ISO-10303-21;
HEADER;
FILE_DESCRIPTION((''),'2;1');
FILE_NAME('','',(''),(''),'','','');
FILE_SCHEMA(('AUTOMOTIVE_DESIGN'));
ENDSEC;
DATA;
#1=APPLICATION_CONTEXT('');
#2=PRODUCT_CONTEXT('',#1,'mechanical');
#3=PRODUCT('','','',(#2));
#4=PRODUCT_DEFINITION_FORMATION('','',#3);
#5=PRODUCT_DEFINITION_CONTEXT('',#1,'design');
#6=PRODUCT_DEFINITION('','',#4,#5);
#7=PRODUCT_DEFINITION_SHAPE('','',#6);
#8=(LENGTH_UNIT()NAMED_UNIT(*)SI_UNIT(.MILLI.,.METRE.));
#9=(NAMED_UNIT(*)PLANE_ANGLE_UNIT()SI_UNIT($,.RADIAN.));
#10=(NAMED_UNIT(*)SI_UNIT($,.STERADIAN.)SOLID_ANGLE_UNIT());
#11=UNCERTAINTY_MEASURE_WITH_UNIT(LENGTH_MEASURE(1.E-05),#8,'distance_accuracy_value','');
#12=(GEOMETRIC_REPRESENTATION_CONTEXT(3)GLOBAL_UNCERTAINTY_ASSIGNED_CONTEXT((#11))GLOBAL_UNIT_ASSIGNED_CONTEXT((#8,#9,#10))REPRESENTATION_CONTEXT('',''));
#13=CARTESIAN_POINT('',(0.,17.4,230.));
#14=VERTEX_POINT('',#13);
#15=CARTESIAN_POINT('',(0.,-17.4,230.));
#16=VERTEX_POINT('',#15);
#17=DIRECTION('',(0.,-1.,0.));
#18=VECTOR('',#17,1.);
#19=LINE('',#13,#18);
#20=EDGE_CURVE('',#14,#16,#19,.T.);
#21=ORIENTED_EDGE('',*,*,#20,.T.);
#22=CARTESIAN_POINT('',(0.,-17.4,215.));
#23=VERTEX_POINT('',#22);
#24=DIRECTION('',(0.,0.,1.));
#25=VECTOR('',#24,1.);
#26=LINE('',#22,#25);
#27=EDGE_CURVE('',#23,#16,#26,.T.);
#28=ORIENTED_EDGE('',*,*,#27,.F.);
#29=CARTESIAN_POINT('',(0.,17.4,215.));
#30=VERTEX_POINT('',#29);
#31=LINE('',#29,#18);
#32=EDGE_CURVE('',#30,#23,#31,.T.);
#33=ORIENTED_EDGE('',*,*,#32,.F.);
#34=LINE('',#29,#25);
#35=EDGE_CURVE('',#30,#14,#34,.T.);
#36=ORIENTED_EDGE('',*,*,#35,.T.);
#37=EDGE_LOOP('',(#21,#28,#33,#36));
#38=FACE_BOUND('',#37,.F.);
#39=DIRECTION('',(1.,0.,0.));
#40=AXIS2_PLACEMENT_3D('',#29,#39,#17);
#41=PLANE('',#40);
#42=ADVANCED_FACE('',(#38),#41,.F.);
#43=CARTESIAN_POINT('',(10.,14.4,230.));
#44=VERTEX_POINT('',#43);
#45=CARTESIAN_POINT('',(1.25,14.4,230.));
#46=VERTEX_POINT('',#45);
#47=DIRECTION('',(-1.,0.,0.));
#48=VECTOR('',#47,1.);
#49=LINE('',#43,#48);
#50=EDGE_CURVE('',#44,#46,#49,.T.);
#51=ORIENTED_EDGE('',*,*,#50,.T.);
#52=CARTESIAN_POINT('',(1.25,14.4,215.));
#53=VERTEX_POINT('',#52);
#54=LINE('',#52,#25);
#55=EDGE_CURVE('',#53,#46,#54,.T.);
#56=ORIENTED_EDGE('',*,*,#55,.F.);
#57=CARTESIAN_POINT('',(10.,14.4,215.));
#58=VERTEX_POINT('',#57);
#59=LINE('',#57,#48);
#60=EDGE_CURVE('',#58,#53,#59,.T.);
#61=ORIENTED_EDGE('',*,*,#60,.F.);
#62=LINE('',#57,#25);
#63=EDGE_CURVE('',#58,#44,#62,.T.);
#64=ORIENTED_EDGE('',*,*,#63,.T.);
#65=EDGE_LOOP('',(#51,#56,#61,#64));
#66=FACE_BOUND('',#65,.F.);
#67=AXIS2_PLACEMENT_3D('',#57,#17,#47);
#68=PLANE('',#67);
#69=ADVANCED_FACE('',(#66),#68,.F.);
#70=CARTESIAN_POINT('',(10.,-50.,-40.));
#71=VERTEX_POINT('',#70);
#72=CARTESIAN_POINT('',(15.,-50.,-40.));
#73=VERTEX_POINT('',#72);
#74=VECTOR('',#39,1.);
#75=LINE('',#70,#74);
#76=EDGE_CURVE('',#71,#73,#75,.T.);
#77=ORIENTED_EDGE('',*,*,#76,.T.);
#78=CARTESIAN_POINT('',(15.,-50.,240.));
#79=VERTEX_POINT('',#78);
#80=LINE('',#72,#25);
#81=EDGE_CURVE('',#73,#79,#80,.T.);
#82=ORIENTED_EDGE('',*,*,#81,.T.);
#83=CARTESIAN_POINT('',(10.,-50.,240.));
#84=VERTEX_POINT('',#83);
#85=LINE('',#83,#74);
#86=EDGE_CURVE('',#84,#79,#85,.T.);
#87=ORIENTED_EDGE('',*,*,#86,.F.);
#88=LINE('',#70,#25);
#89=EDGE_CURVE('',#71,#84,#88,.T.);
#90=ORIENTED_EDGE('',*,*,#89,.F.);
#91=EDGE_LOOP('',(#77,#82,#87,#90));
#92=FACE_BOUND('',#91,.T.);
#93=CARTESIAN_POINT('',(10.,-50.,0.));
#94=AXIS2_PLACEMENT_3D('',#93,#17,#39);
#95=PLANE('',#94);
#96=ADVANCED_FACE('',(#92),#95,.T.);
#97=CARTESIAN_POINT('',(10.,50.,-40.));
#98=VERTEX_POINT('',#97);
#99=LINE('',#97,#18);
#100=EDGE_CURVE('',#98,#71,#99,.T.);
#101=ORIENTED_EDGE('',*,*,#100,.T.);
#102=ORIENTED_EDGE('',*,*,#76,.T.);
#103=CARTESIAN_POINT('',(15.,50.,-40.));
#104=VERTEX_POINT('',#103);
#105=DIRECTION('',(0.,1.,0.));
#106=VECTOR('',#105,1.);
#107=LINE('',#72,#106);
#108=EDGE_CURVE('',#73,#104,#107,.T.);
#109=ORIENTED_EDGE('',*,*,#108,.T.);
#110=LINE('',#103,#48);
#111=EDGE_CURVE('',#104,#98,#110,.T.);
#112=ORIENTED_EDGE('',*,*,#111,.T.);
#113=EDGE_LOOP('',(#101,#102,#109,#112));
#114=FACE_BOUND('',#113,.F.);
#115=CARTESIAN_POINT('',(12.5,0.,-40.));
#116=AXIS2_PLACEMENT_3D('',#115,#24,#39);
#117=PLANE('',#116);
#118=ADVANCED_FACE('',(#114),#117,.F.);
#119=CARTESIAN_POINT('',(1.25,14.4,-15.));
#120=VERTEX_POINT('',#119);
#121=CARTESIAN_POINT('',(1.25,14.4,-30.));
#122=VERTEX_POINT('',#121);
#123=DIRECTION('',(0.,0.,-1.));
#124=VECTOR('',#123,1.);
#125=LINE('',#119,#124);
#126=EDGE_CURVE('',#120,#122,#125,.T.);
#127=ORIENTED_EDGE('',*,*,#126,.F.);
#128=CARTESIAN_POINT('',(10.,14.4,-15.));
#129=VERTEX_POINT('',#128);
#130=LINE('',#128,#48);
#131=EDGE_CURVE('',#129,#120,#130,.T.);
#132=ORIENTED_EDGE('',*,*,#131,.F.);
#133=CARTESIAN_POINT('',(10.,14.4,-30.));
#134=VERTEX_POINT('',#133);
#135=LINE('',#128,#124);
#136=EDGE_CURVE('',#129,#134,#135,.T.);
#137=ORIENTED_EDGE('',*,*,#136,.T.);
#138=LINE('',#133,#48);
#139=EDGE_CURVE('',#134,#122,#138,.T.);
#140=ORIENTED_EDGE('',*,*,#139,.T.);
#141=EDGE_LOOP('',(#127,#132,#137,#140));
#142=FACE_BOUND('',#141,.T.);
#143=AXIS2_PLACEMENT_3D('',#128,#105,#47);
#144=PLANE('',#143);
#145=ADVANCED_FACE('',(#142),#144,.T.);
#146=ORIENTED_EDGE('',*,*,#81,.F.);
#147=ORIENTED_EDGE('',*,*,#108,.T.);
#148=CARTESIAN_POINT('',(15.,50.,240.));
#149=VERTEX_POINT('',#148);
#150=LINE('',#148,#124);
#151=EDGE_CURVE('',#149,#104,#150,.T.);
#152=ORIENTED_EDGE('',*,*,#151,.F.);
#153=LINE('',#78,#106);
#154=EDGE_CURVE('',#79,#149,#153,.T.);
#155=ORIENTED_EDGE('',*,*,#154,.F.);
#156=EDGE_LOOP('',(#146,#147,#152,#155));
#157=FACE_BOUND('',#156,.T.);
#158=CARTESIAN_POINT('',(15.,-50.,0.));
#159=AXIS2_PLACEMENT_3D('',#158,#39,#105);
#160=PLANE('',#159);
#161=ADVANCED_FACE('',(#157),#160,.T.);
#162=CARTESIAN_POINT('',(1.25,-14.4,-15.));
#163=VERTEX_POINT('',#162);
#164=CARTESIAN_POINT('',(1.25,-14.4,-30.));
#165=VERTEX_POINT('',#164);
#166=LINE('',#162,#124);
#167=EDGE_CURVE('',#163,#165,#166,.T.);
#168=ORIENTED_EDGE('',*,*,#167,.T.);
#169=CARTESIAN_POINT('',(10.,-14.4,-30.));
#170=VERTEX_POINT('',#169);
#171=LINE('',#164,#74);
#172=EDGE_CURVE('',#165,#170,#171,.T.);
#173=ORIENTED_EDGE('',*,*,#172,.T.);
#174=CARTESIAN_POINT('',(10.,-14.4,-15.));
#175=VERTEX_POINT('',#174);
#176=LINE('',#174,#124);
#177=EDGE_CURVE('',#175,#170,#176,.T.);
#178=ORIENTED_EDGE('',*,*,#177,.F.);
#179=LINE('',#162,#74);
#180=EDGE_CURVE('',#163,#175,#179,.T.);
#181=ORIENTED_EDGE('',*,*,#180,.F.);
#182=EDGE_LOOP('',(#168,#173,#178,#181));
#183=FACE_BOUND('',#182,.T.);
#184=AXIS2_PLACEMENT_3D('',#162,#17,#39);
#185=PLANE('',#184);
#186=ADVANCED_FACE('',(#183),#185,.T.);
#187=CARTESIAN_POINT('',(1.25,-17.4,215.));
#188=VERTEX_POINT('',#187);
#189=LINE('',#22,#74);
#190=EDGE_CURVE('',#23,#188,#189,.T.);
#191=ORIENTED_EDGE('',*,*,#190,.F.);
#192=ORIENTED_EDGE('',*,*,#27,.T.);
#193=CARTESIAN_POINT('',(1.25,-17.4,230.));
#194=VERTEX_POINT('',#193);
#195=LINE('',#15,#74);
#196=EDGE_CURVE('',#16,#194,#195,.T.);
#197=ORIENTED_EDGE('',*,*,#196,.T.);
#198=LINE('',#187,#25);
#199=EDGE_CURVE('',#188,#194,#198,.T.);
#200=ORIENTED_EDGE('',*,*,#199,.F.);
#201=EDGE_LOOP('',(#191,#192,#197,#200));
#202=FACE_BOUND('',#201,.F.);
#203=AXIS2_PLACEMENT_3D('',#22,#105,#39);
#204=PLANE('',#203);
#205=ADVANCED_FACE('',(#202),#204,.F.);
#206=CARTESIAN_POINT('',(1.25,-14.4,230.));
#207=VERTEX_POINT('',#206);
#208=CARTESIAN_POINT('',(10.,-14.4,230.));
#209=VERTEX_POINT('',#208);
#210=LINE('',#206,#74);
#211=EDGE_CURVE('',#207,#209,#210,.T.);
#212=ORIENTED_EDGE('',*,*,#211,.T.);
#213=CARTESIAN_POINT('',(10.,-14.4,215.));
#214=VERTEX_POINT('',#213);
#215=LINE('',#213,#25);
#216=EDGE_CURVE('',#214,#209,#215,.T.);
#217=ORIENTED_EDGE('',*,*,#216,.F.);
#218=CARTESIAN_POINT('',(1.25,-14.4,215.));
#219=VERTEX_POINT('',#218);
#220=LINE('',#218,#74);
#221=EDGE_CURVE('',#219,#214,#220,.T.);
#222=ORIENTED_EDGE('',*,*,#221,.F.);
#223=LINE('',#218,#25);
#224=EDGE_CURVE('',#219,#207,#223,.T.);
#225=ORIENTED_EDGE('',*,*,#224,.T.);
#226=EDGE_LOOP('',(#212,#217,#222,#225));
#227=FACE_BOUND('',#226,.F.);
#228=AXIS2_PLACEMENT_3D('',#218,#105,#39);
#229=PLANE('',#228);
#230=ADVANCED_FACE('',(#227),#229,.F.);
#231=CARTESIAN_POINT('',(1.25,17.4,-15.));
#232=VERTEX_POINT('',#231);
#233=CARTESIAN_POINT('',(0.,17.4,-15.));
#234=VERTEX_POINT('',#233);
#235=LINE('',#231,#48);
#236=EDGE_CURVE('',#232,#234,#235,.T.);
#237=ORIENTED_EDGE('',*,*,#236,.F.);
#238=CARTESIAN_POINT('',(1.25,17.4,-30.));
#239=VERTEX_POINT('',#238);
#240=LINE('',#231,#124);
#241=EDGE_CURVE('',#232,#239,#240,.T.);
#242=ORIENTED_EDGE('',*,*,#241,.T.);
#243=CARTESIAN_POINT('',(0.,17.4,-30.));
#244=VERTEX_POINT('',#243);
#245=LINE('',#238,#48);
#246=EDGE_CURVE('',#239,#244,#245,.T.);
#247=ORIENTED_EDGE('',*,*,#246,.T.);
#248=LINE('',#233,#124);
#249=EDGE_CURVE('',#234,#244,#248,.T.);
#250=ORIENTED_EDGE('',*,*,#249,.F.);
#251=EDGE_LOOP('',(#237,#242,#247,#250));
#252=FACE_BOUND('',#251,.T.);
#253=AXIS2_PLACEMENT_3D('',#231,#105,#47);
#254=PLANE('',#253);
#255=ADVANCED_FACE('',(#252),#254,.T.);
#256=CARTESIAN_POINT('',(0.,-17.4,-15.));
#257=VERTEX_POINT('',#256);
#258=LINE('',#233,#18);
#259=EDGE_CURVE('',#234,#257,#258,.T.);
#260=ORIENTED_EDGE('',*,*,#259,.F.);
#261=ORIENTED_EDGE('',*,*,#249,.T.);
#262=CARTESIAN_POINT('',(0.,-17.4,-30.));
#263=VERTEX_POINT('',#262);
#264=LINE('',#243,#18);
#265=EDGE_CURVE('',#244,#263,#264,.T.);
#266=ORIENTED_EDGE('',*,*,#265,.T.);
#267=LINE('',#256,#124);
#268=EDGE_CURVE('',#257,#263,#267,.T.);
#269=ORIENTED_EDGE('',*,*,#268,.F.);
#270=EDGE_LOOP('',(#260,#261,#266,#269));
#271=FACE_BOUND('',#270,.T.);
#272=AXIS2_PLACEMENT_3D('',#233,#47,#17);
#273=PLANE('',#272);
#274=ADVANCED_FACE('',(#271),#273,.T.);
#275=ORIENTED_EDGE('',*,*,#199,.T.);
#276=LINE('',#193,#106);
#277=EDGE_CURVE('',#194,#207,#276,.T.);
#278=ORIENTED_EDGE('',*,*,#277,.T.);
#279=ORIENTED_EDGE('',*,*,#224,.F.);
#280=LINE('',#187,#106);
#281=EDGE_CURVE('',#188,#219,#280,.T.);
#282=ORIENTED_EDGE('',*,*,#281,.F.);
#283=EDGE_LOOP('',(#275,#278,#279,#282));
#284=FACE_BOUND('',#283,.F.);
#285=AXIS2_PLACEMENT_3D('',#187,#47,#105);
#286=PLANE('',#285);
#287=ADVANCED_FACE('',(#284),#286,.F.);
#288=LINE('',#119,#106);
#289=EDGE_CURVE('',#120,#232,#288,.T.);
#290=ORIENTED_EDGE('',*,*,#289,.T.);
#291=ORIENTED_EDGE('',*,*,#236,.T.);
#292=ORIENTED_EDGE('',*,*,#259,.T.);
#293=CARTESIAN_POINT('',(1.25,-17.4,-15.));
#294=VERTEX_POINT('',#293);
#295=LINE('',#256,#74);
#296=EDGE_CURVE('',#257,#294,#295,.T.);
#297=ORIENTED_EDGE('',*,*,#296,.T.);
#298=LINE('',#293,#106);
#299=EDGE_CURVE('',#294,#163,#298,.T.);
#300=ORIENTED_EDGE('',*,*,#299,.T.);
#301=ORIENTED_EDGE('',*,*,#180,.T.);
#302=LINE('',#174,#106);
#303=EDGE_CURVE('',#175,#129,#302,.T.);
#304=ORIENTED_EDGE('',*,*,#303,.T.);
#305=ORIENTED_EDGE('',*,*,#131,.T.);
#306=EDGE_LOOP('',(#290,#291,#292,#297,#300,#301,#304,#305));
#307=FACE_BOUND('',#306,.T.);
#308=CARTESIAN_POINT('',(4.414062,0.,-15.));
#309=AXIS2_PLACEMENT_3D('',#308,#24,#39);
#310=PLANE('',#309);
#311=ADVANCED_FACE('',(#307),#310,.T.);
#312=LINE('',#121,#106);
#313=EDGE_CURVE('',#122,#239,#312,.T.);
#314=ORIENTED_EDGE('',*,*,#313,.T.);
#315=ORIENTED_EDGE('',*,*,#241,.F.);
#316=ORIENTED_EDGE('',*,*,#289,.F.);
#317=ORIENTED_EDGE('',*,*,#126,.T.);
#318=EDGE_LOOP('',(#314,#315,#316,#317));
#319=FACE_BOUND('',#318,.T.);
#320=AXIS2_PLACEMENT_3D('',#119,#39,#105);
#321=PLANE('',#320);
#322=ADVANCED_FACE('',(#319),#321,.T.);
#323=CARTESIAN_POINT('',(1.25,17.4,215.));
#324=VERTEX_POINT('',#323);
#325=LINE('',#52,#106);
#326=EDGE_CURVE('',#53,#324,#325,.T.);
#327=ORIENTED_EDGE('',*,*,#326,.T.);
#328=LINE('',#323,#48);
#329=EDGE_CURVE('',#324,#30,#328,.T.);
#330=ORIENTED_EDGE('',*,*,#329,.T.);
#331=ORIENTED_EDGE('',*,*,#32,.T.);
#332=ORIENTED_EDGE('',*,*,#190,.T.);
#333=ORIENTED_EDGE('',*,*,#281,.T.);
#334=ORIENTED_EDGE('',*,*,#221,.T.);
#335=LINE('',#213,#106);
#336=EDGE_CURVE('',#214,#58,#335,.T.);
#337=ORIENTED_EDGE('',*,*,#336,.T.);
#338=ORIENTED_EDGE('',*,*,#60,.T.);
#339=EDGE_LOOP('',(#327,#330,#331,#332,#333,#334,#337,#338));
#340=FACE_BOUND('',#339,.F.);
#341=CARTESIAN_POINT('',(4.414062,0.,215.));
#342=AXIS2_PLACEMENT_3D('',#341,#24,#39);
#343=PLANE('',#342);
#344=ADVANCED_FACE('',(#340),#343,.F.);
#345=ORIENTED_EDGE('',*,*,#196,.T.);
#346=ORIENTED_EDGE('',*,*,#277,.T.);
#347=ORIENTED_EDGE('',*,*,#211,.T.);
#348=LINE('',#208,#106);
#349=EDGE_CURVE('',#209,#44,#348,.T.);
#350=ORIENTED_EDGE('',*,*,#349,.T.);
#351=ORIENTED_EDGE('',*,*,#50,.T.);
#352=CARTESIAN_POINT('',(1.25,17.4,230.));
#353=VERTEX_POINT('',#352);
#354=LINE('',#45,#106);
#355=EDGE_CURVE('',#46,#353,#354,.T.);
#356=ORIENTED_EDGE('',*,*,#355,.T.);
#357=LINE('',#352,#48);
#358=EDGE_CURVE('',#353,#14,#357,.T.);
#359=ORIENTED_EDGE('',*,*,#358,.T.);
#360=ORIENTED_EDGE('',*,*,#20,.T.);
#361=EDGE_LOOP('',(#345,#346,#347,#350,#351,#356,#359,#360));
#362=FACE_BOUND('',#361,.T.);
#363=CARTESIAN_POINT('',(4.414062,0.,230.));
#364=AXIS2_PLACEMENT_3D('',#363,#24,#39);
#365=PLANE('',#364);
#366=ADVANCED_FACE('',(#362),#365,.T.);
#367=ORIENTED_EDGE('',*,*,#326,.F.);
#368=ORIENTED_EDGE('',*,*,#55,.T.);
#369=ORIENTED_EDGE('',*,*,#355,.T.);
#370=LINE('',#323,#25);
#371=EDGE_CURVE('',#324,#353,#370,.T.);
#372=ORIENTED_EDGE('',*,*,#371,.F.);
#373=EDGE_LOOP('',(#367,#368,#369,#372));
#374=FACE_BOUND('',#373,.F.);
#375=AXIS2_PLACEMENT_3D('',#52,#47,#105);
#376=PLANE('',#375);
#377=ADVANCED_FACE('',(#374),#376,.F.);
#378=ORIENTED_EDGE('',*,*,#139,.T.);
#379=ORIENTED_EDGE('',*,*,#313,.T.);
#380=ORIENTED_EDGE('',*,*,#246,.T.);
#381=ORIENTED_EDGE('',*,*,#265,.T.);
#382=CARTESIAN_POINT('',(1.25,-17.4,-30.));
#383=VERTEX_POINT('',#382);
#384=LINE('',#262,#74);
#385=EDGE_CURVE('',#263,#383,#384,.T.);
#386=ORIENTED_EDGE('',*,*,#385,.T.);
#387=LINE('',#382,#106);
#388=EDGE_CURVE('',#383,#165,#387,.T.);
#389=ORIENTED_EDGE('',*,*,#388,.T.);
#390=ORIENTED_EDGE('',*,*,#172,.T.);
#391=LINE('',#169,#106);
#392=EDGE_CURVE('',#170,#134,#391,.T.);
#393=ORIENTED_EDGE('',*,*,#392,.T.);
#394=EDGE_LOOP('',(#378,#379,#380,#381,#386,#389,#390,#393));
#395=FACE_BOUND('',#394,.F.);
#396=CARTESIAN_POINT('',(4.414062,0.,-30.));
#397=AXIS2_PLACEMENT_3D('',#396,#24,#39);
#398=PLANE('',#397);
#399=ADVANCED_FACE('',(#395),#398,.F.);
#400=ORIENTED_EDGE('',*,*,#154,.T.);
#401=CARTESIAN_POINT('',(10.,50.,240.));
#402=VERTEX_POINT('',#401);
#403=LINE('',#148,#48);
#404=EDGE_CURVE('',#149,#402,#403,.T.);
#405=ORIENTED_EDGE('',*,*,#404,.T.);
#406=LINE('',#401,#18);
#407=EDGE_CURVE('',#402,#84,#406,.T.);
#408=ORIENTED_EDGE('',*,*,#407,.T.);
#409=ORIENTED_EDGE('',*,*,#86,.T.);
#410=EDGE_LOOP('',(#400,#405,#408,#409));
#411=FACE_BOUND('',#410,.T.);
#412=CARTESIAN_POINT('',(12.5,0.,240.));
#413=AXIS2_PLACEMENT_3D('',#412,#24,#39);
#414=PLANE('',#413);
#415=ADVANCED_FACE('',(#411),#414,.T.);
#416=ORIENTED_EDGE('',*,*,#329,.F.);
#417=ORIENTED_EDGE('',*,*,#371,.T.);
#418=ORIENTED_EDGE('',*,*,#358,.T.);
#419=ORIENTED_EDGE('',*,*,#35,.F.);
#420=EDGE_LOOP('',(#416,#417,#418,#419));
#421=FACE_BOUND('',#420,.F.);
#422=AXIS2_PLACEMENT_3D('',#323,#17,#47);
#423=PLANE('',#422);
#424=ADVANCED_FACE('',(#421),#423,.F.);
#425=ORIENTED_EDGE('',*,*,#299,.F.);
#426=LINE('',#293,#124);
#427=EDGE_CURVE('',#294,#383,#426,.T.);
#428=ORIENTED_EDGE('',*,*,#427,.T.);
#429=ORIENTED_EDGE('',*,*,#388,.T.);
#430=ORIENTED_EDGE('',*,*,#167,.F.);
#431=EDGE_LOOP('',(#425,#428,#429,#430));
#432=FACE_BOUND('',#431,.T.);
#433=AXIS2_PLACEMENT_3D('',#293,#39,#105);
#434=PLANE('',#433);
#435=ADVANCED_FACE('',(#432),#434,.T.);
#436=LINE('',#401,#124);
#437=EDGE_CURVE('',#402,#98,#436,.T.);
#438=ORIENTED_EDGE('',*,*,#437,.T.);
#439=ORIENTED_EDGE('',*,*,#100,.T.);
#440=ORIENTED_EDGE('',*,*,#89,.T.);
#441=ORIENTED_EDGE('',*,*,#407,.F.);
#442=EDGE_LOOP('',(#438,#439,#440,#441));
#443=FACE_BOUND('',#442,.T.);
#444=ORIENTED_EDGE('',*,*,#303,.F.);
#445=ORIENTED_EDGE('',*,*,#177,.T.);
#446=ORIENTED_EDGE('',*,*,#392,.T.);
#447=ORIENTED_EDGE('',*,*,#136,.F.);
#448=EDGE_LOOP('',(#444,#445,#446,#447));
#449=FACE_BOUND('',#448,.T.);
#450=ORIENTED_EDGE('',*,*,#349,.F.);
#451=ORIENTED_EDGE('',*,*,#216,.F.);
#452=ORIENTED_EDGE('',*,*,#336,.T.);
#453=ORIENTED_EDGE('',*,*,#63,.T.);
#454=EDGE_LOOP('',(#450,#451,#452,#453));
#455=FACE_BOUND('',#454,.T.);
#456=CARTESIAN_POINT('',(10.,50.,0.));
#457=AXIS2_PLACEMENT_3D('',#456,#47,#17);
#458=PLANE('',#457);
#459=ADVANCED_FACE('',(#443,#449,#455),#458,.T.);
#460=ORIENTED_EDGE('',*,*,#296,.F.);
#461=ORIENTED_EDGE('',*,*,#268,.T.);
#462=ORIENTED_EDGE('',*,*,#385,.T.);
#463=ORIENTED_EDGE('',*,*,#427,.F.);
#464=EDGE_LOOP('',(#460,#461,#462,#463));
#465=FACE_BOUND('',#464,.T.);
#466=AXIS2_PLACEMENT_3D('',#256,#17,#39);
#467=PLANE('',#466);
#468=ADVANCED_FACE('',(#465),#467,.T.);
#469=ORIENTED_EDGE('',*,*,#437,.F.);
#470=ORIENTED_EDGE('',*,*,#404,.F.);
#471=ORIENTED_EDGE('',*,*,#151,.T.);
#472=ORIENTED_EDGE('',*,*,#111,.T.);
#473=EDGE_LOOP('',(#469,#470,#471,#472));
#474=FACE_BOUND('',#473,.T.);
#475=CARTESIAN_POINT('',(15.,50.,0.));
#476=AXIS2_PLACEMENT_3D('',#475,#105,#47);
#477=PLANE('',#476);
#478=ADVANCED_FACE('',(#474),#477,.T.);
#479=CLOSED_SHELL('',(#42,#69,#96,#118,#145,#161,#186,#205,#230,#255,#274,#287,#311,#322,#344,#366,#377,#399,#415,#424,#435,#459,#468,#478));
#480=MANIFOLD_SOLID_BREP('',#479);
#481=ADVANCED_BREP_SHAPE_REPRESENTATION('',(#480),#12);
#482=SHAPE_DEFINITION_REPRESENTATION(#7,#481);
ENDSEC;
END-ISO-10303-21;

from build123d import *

# Parameters (mm, degrees)
F1_START      = -15
F1_DEPTH      = 15
F2_DEPTH      = 240
F2_DEPTH_BACK = 40
F3_START      = 215
F3_DEPTH      = 15


with BuildPart() as f1:
    # F0 (on Top) → F1 (new body)
    with BuildSketch(Plane.XY.offset(F1_START)):
        Polygon((0, 17.4), (0, 0), (0, -17.4), (1.25, -17.4), (1.25, -14.4), (10, -14.4), (10, 14.4), (1.25, 14.4), (1.25, 17.4), align=None)
    extrude(amount=-F1_DEPTH)

    # F0 (on Top) → F2 (join, two sides)
    with BuildSketch(Plane.XY) as f2_sk:
        Polygon((10, 50), (10, 14.4), (10, -14.4), (10, -50), (15, -50), (15, 0), (15, 50), align=None)
    extrude(amount=F2_DEPTH)
    extrude(f2_sk.sketch, amount=-F2_DEPTH_BACK)

    # F0 (on Top) → F3 (join)
    with BuildSketch(Plane.XY.offset(F3_START)):
        Polygon((0, 17.4), (0, 0), (0, -17.4), (1.25, -17.4), (1.25, -14.4), (10, -14.4), (10, 14.4), (1.25, 14.4), (1.25, 17.4), align=None)
    extrude(amount=F3_DEPTH)


solid = f1.part
